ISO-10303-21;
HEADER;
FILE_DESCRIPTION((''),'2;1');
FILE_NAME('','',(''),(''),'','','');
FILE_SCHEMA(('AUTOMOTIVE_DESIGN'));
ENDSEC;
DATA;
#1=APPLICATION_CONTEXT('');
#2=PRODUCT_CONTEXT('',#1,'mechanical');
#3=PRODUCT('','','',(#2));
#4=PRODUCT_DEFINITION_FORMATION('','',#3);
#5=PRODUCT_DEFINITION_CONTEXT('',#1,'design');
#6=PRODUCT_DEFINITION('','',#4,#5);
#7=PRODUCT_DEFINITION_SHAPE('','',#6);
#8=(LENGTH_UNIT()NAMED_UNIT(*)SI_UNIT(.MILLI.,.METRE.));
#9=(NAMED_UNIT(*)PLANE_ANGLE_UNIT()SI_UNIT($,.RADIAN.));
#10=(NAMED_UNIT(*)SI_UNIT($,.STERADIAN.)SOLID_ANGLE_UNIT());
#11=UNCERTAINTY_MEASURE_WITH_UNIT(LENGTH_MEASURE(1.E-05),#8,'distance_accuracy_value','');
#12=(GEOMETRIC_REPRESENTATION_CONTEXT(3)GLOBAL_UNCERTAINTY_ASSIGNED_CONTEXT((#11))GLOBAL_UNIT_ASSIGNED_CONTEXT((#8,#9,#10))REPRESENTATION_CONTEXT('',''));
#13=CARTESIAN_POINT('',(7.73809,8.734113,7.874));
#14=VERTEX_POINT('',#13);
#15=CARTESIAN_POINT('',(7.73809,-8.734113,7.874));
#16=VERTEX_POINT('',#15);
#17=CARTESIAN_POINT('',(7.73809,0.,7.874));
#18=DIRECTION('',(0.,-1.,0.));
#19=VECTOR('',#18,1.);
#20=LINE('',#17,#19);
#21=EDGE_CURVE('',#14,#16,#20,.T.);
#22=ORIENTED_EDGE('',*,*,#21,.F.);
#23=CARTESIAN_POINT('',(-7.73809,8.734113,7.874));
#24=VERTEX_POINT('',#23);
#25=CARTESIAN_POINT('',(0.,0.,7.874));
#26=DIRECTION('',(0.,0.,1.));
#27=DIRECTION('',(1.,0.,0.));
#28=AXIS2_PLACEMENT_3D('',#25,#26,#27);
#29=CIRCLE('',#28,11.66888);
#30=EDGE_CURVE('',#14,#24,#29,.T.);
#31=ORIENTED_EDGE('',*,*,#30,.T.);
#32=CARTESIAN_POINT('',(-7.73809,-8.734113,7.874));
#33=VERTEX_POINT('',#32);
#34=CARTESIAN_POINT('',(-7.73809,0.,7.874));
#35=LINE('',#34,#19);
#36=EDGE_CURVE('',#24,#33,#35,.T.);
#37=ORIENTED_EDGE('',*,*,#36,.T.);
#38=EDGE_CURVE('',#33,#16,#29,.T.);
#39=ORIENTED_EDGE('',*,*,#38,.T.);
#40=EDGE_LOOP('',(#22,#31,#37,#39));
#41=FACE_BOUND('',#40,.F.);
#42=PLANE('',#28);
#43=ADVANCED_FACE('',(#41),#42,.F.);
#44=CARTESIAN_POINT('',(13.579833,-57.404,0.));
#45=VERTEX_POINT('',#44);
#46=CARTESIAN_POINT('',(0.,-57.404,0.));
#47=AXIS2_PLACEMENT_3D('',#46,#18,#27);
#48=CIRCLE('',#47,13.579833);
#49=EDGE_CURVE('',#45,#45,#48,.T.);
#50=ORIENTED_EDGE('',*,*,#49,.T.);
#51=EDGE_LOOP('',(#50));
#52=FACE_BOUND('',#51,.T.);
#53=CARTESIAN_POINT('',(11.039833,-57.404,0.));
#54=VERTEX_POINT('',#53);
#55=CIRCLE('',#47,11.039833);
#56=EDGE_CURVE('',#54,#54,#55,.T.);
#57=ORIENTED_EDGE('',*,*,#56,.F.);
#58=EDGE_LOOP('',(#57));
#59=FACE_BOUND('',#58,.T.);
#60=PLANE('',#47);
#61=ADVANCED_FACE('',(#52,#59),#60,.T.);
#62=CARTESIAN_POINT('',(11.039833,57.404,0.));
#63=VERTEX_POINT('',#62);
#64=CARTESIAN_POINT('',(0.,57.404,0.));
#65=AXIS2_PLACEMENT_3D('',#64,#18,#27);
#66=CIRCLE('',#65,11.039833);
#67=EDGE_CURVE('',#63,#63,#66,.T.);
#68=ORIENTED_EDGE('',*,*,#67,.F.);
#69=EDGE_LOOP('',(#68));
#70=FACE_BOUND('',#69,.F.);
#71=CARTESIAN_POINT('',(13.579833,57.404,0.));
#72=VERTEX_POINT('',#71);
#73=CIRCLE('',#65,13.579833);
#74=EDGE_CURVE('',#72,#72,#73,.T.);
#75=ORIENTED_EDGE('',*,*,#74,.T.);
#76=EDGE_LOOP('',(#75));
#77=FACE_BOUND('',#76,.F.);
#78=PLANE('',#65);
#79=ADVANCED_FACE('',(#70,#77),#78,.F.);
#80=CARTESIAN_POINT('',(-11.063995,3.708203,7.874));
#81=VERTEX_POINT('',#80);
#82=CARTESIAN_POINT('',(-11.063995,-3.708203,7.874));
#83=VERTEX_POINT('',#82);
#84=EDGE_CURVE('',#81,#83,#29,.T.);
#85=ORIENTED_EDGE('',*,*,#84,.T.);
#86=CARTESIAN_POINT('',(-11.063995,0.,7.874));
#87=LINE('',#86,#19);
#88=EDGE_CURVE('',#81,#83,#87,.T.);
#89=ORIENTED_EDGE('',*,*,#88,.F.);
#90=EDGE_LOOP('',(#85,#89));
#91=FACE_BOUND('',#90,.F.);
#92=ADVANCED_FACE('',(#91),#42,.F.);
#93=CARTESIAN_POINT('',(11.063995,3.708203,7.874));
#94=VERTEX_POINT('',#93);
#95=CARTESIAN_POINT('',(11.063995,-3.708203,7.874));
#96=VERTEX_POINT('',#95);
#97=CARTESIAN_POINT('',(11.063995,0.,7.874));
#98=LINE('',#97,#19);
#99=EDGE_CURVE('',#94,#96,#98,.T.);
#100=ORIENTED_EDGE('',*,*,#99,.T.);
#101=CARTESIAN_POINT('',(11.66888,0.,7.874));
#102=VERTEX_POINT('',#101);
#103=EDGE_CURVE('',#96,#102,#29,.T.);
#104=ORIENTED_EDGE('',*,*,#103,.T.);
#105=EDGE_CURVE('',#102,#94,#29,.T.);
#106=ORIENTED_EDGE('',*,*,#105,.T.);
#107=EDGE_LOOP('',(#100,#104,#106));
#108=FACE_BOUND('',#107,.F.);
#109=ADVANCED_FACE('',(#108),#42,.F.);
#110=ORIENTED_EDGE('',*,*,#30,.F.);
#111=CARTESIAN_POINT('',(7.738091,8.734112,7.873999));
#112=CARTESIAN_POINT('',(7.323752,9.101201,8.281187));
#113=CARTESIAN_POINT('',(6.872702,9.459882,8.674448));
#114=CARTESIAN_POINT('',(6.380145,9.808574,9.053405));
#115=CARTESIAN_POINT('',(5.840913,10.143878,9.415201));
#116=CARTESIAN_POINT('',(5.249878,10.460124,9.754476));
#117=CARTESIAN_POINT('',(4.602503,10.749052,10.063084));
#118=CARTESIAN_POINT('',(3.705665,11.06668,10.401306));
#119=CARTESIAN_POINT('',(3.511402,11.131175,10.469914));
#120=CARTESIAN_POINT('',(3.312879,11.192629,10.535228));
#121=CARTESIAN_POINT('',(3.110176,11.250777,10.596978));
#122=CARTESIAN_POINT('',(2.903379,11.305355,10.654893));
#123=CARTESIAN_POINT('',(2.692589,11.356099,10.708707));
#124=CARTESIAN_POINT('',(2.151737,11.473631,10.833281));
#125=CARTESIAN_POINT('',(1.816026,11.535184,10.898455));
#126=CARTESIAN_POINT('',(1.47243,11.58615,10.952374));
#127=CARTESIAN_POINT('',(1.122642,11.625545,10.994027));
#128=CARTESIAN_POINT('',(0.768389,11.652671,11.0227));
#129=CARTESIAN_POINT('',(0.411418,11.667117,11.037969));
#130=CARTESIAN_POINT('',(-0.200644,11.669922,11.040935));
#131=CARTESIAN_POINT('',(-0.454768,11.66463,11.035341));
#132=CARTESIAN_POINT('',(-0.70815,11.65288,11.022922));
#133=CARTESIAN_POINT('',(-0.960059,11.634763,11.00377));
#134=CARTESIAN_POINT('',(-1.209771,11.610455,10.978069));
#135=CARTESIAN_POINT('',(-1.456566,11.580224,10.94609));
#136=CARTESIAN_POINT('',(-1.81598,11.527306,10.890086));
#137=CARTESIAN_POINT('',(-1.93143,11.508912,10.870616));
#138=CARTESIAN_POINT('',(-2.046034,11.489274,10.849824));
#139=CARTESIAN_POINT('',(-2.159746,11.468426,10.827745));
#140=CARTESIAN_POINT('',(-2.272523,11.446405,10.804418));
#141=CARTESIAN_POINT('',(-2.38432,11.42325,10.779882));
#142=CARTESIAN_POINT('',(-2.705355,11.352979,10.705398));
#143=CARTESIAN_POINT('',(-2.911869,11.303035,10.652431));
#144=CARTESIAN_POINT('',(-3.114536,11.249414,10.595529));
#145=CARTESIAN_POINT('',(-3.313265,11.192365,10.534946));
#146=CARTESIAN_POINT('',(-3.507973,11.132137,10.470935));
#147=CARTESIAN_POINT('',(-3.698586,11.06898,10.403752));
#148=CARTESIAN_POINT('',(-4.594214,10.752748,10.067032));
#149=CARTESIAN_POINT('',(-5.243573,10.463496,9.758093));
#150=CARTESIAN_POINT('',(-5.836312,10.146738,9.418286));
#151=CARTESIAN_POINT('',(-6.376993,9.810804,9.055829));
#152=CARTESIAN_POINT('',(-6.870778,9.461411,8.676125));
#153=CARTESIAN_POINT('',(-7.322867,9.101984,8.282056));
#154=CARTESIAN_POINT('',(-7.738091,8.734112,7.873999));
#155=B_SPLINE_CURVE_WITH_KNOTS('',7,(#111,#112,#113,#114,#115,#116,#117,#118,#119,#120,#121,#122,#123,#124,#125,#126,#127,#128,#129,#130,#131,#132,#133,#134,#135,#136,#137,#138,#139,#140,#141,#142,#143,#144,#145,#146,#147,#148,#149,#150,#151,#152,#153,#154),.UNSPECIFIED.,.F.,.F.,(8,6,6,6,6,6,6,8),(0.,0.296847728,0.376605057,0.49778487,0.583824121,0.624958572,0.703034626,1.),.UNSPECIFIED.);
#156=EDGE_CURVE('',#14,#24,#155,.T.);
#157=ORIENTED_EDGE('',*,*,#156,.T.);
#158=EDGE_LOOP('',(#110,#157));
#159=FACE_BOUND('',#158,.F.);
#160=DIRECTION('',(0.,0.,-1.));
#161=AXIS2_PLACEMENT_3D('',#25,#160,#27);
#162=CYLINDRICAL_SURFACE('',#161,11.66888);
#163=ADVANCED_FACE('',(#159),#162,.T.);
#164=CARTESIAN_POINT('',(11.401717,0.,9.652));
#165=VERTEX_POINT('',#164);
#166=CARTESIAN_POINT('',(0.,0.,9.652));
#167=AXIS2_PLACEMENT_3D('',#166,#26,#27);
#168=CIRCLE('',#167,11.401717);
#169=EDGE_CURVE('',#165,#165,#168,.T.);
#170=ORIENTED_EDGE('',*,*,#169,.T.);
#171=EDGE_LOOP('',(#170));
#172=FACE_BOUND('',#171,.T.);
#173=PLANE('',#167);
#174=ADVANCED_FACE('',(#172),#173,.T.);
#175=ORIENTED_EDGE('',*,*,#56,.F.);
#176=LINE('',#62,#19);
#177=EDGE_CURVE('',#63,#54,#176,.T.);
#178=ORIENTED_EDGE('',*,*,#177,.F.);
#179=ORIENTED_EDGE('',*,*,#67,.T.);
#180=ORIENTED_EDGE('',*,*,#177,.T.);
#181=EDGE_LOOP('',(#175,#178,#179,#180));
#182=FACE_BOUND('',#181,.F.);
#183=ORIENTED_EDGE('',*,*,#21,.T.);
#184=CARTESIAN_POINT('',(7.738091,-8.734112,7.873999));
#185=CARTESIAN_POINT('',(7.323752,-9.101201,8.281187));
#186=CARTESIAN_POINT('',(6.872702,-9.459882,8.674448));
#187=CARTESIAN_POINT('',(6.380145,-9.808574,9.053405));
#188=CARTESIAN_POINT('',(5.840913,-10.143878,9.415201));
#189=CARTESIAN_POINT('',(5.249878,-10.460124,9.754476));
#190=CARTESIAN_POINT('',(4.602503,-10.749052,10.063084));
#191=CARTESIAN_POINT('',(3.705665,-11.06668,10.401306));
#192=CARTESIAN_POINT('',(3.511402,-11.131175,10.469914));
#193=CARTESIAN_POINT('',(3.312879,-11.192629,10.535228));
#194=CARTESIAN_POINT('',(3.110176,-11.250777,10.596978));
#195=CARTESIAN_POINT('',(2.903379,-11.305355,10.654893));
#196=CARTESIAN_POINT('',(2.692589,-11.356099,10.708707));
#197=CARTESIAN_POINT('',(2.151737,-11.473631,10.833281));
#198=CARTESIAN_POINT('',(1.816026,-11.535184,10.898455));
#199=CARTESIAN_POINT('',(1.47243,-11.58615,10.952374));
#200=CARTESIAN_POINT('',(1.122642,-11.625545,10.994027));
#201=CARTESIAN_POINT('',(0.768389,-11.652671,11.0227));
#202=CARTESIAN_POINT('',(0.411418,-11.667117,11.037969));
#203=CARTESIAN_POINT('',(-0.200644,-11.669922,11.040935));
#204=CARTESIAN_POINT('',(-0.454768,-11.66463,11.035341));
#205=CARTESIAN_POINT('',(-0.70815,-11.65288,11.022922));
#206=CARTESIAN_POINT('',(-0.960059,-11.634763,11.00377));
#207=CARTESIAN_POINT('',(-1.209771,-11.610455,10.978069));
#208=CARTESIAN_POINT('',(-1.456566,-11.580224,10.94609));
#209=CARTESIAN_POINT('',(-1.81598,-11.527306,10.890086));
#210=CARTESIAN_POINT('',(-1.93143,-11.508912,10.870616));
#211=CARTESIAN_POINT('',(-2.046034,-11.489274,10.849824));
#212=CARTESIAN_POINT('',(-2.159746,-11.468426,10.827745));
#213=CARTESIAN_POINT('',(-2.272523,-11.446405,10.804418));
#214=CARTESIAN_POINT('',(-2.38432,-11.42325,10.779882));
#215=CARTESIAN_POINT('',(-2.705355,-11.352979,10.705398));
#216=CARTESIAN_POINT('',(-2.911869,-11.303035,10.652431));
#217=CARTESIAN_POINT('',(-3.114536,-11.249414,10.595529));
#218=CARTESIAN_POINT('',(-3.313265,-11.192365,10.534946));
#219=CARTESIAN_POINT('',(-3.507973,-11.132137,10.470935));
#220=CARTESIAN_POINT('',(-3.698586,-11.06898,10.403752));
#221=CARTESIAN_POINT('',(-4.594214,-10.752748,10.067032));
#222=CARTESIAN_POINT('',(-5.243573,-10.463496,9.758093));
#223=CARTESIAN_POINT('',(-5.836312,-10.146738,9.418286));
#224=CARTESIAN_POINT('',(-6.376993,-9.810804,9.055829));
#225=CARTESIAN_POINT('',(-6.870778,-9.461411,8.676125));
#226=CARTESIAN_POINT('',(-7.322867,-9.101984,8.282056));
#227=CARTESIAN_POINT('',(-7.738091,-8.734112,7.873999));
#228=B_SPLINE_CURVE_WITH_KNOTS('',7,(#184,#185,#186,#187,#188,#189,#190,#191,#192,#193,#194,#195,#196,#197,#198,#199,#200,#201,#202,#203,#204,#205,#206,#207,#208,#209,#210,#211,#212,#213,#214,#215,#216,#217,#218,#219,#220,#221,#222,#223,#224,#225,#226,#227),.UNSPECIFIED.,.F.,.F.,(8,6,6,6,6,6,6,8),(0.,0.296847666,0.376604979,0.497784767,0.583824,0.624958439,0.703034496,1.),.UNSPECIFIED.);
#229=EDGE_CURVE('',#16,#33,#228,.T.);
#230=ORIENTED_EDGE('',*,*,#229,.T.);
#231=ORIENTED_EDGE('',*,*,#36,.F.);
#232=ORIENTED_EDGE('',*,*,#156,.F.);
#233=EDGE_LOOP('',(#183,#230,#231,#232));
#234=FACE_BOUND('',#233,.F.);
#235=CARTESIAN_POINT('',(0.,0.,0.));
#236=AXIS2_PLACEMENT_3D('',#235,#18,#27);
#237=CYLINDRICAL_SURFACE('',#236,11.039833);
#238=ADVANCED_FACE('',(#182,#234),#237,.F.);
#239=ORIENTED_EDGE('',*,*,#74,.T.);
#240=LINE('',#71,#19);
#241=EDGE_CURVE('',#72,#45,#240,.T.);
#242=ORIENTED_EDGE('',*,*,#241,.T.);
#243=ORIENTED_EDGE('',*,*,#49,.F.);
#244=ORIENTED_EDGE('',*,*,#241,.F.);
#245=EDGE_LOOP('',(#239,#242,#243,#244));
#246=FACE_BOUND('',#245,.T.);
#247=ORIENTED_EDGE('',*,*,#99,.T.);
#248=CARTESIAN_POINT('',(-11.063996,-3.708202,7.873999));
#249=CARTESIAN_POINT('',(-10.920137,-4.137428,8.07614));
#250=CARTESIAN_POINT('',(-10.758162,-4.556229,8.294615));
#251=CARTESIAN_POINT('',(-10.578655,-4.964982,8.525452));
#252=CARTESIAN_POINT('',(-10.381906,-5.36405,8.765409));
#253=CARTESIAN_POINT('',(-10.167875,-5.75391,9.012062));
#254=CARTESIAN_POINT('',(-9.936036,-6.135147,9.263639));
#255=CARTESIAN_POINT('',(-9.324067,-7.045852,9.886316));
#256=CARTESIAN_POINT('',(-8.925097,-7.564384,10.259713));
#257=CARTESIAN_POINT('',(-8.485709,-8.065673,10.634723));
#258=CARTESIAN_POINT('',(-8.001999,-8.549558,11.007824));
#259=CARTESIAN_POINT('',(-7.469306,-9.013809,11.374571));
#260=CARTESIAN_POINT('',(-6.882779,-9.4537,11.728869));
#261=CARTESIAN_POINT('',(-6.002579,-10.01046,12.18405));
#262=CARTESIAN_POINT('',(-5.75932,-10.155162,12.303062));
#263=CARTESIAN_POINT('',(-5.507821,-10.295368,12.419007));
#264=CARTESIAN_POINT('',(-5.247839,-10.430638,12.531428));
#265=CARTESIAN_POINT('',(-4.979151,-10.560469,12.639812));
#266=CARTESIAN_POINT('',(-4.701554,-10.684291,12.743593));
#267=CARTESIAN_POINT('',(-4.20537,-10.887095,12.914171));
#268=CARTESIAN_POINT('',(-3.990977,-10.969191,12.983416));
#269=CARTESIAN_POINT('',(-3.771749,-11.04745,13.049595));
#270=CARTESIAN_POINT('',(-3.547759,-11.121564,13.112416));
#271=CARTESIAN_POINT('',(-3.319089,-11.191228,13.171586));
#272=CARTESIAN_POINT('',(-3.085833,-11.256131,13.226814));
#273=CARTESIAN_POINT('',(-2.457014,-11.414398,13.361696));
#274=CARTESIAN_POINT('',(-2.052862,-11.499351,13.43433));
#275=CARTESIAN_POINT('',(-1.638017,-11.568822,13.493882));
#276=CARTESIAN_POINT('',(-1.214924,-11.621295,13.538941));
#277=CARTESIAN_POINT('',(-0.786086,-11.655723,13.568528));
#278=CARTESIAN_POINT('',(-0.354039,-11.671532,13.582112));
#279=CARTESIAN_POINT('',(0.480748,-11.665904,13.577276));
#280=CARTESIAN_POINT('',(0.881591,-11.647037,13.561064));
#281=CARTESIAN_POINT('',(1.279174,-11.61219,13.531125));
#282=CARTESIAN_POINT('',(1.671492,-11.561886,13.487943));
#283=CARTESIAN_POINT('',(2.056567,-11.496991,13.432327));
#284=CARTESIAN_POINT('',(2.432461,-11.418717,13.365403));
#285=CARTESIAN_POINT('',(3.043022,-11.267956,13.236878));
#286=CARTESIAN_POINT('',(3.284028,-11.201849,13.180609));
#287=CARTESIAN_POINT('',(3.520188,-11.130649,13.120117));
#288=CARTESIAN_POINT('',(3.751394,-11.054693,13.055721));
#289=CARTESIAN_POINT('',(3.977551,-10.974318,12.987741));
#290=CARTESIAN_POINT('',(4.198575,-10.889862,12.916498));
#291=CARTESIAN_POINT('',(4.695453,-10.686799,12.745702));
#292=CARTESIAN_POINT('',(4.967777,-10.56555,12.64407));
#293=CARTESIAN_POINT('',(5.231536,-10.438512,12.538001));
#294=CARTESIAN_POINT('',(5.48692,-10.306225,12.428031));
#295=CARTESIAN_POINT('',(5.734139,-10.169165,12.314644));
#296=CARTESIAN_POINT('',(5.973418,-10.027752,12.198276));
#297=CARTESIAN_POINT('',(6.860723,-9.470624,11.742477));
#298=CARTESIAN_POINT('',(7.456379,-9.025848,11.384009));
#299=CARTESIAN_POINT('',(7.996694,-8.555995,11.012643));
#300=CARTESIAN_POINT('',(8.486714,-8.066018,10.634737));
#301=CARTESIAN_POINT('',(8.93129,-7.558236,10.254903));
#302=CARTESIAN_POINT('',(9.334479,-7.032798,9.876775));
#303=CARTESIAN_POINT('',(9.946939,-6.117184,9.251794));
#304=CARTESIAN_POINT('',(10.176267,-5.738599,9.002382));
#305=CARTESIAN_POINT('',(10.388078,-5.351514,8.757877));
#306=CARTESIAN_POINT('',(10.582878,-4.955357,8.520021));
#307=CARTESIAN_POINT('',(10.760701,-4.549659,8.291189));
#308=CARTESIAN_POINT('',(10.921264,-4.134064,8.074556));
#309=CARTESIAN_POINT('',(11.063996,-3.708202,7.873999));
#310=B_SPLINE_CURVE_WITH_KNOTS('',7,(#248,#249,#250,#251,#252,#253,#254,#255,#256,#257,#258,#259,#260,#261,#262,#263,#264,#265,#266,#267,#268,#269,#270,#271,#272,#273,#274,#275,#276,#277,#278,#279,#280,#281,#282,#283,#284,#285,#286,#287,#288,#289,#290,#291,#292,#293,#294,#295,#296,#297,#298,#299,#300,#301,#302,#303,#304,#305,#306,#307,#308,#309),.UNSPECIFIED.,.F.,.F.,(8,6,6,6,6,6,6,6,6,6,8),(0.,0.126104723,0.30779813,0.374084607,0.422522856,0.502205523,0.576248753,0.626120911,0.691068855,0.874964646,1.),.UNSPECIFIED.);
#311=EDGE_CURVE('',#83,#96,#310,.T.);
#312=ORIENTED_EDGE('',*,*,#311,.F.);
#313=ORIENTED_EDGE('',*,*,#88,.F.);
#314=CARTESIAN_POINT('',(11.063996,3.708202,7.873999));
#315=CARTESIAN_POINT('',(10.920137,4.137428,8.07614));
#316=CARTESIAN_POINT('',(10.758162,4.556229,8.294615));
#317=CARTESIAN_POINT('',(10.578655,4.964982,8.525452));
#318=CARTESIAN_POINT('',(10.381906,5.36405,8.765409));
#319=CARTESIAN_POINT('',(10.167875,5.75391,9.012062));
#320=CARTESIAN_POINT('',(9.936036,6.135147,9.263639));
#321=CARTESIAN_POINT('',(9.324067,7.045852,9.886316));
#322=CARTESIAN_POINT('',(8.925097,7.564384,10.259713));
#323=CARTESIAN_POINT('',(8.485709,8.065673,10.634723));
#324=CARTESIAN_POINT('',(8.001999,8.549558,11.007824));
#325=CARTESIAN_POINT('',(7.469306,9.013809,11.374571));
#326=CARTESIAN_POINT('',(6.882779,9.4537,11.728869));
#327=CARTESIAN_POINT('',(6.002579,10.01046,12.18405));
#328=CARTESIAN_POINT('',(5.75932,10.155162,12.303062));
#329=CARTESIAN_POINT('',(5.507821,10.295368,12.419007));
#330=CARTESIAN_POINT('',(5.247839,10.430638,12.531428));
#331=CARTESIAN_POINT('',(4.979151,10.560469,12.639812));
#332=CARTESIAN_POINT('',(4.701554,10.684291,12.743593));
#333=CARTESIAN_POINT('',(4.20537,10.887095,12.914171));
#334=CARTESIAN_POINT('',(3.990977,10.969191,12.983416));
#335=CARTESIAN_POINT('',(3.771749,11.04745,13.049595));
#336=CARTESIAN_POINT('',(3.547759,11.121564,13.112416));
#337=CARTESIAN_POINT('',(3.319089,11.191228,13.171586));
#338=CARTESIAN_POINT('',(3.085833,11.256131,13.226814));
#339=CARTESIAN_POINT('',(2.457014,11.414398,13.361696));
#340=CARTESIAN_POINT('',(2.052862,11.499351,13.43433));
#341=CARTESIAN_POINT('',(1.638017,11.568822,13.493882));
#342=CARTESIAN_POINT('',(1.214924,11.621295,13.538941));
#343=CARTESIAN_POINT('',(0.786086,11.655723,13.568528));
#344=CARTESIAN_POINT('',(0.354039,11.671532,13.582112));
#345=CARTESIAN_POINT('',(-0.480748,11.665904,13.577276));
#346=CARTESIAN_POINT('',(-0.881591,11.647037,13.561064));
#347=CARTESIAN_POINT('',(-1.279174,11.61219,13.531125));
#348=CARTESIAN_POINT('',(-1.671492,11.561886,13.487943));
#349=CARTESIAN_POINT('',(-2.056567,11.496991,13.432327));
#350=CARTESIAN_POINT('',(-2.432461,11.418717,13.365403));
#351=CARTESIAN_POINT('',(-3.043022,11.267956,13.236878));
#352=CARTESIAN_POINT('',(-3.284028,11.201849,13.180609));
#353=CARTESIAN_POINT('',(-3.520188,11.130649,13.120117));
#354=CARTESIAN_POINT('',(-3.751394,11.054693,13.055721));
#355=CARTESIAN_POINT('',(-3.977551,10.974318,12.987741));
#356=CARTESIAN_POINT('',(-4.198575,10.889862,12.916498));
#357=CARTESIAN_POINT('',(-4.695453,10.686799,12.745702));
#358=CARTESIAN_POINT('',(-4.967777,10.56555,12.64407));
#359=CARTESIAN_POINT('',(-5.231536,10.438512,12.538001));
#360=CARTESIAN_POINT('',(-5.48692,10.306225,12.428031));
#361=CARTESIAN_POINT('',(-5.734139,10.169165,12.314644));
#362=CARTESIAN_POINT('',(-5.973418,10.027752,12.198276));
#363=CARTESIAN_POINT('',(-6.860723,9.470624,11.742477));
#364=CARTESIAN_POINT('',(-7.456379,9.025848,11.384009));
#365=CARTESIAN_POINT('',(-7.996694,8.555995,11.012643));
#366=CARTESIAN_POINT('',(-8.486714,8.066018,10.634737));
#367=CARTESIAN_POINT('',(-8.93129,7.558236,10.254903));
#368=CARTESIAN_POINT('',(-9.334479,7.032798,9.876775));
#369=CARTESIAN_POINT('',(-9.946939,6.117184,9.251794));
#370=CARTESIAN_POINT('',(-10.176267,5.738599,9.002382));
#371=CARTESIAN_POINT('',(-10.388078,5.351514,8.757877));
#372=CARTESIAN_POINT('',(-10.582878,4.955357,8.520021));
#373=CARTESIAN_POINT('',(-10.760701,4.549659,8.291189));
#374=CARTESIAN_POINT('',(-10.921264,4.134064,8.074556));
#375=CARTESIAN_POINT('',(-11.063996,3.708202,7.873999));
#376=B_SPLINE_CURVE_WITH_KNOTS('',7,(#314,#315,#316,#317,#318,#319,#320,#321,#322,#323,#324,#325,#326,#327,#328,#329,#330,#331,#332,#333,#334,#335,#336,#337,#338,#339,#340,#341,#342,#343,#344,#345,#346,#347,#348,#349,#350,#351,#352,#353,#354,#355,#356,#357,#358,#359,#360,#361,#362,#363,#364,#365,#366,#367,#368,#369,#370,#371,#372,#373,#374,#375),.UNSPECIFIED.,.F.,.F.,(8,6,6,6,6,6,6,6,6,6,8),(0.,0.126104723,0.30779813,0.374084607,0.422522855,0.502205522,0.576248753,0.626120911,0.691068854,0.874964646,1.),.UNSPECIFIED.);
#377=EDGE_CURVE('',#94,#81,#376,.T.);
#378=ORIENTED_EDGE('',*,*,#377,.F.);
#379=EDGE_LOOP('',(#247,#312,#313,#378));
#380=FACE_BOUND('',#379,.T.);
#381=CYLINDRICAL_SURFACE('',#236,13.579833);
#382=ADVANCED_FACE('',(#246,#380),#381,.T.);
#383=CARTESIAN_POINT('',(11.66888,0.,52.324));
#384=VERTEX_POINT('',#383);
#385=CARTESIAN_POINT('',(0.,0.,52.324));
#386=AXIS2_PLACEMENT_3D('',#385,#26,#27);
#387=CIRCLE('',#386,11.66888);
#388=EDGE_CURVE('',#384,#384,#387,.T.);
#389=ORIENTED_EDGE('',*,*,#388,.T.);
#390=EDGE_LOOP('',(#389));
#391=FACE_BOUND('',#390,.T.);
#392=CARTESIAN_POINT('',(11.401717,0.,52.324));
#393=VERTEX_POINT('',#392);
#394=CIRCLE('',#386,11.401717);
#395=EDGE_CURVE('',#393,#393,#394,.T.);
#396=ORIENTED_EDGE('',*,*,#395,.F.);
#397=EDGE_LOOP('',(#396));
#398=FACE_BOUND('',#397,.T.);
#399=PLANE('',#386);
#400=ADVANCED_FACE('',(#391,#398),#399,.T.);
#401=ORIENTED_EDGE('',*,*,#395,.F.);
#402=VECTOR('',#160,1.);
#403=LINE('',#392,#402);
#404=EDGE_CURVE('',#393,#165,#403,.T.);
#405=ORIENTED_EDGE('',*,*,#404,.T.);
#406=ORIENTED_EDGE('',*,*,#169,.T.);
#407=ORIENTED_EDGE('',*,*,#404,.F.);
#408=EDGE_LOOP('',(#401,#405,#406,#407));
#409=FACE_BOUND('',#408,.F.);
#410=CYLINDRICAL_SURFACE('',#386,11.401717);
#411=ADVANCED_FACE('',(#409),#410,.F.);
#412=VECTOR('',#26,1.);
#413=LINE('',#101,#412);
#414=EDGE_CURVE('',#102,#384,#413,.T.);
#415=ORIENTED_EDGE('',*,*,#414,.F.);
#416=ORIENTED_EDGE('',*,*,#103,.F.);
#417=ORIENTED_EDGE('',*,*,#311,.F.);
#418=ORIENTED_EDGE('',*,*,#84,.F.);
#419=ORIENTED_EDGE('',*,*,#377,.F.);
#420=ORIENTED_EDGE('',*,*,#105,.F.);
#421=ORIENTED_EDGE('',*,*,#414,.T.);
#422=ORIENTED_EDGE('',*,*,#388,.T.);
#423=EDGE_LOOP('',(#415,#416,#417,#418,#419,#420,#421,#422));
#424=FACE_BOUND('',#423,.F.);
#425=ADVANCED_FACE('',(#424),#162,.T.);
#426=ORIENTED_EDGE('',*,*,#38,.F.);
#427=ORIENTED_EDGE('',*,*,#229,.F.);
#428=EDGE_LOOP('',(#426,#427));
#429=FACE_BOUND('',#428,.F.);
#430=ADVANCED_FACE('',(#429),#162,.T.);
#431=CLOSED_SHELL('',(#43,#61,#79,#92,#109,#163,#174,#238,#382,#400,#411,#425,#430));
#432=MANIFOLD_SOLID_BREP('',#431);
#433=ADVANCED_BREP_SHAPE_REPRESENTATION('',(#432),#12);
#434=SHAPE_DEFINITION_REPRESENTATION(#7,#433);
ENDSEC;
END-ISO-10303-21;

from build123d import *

# Parameters (mm, degrees)
F0_R     = 13.579833
F1_DEPTH = 57.404
F2_T     = -2.54
F4_R     = 11.66888
F5_DEPTH = 44.45
F6_R     = 11.401717
F7_DEPTH = 42.672


with BuildPart() as f1:
    # F0 (on Front) → F1 (new body, symmetric)
    with BuildSketch(Plane.XZ):
        Circle(F0_R)
    extrude(amount=F1_DEPTH, both=True)

    # F2
    f2_openings = [f1.faces().sort_by_distance(p)[0] for p in [
        (0, -57.404, 0),
        (0, 57.404, 0),
    ]]
    offset(amount=F2_T, openings=f2_openings)

    # F4 (on offset) → F5 (join)
    with BuildSketch(Plane.XY.offset(7.874)):
        Circle(F4_R)
    extrude(amount=F5_DEPTH)

    # F6 (on face) → F7 (cut)
    with BuildSketch(Plane.XY.offset(52.324)):
        Circle(F6_R)
    extrude(amount=-F7_DEPTH, mode=Mode.SUBTRACT)


solid = f1.part
